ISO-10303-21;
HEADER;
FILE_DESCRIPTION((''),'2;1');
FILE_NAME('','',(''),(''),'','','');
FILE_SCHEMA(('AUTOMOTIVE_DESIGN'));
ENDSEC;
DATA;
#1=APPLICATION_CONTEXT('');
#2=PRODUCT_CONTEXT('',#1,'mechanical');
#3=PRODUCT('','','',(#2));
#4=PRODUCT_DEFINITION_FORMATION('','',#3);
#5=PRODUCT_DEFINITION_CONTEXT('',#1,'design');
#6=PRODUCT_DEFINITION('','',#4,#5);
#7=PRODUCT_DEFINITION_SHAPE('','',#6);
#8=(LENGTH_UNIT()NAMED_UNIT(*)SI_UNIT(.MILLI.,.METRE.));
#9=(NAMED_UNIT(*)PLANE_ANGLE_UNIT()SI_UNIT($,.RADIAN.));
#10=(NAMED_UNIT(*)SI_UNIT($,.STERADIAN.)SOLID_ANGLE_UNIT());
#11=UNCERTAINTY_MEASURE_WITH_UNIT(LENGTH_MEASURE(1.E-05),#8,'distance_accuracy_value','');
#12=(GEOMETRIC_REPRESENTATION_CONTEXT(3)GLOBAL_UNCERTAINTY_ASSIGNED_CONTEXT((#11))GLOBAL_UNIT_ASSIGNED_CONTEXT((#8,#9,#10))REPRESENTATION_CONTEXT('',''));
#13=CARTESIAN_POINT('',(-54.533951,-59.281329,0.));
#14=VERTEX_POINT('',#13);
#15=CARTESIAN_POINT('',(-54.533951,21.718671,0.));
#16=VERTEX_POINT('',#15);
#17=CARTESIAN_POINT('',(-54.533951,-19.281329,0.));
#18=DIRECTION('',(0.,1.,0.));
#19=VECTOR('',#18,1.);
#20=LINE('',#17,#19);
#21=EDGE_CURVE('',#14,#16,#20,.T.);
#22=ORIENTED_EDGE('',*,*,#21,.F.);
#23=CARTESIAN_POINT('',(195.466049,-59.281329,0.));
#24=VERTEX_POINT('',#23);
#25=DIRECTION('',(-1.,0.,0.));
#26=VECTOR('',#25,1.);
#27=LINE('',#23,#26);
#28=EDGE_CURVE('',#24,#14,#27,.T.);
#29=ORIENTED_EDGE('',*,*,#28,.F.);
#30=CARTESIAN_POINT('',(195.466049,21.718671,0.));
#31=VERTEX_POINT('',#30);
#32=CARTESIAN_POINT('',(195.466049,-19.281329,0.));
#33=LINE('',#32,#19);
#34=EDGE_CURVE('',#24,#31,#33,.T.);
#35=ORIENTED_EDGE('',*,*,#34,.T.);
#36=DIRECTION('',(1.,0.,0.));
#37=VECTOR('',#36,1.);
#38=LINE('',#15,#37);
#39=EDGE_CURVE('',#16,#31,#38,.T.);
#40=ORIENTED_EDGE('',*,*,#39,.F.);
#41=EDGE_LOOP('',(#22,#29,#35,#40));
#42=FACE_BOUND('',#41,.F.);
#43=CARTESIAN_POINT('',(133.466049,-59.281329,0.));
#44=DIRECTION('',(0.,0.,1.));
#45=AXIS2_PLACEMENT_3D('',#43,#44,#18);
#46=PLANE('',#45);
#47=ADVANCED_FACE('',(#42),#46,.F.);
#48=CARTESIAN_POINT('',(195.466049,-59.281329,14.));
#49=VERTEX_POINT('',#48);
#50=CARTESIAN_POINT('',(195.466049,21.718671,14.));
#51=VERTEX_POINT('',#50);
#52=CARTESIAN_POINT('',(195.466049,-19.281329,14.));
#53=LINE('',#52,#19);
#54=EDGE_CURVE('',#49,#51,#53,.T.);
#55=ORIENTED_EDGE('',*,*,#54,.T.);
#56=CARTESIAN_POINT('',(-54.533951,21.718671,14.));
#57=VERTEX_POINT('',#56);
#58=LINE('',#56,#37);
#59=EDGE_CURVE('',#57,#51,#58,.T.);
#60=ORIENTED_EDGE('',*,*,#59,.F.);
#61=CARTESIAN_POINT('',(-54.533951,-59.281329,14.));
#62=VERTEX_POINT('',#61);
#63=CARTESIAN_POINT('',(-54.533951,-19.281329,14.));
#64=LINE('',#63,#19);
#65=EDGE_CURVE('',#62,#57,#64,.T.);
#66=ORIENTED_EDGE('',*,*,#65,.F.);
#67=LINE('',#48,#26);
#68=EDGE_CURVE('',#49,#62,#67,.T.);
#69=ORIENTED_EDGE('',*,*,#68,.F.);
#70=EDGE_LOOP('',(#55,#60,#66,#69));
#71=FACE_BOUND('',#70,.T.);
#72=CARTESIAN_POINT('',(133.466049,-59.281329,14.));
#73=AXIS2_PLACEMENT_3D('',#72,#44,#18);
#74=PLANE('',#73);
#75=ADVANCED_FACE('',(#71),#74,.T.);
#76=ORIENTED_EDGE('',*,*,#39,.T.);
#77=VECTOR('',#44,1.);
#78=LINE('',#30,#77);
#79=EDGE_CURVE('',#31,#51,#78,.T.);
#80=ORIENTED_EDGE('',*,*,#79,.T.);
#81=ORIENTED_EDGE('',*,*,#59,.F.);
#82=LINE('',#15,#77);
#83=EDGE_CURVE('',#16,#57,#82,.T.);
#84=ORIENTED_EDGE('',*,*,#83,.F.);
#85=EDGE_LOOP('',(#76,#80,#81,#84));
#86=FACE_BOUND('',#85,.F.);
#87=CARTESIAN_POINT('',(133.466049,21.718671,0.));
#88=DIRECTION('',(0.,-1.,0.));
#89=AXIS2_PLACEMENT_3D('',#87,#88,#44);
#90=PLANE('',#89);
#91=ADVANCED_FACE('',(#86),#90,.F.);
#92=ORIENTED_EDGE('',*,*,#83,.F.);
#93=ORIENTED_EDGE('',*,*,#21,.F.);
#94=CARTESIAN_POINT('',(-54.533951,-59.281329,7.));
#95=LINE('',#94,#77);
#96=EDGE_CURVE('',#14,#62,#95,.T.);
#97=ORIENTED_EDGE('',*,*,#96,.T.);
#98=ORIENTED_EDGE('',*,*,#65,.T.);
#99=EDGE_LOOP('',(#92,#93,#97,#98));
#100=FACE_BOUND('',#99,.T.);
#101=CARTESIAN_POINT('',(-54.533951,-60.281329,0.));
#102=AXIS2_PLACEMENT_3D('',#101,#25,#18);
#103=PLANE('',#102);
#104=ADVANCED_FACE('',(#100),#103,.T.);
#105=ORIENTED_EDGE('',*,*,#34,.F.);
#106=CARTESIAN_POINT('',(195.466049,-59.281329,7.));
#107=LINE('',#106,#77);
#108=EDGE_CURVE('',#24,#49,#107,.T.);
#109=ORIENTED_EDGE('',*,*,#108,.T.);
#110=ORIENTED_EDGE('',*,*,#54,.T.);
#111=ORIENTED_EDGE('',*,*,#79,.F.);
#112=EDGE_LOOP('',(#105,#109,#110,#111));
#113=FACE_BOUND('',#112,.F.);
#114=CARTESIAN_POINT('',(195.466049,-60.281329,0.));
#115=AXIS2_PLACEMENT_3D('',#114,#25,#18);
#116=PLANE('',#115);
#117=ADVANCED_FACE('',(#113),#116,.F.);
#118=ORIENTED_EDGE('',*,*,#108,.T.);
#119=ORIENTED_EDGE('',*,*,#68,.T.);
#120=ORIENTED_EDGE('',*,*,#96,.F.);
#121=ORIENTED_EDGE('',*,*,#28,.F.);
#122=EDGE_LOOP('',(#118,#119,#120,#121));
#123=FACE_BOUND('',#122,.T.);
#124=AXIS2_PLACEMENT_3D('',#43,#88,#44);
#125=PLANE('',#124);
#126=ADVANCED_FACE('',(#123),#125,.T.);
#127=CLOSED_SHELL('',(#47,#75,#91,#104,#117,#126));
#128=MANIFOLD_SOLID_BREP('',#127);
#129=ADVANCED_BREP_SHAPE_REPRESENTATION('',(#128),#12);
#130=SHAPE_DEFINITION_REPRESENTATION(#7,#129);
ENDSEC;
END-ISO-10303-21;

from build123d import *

# Parameters (mm, degrees)
F0_W     = 188
F0_H     = 82
F1_DEPTH = 14
F2_W     = 188
F2_H     = 14
F3_DEPTH = 1
F4_DEPTH = 62


with BuildPart() as f1:
    # F0 (on Top) → F1 (new body)
    with BuildSketch(Plane.XY):
        with Locations((39.4660490155, -19.2813288569)):
            Rectangle(F0_W, F0_H)
    extrude(amount=F1_DEPTH)

    # F2 (on face) → F3 (cut)
    with BuildSketch(Plane.XZ.offset(60.2813288569)):
        with Locations((39.4660490155, 7)):
            Rectangle(F2_W, F2_H)
    extrude(amount=-F3_DEPTH, mode=Mode.SUBTRACT)

    # F4 (add): a face of the model
    f4_faces = [f1.faces().sort_by_distance(p)[0] for p in [
        (133.4660490155, -18.7813288569, 7),
    ]]
    extrude(f4_faces, amount=F4_DEPTH)


solid = f1.part
